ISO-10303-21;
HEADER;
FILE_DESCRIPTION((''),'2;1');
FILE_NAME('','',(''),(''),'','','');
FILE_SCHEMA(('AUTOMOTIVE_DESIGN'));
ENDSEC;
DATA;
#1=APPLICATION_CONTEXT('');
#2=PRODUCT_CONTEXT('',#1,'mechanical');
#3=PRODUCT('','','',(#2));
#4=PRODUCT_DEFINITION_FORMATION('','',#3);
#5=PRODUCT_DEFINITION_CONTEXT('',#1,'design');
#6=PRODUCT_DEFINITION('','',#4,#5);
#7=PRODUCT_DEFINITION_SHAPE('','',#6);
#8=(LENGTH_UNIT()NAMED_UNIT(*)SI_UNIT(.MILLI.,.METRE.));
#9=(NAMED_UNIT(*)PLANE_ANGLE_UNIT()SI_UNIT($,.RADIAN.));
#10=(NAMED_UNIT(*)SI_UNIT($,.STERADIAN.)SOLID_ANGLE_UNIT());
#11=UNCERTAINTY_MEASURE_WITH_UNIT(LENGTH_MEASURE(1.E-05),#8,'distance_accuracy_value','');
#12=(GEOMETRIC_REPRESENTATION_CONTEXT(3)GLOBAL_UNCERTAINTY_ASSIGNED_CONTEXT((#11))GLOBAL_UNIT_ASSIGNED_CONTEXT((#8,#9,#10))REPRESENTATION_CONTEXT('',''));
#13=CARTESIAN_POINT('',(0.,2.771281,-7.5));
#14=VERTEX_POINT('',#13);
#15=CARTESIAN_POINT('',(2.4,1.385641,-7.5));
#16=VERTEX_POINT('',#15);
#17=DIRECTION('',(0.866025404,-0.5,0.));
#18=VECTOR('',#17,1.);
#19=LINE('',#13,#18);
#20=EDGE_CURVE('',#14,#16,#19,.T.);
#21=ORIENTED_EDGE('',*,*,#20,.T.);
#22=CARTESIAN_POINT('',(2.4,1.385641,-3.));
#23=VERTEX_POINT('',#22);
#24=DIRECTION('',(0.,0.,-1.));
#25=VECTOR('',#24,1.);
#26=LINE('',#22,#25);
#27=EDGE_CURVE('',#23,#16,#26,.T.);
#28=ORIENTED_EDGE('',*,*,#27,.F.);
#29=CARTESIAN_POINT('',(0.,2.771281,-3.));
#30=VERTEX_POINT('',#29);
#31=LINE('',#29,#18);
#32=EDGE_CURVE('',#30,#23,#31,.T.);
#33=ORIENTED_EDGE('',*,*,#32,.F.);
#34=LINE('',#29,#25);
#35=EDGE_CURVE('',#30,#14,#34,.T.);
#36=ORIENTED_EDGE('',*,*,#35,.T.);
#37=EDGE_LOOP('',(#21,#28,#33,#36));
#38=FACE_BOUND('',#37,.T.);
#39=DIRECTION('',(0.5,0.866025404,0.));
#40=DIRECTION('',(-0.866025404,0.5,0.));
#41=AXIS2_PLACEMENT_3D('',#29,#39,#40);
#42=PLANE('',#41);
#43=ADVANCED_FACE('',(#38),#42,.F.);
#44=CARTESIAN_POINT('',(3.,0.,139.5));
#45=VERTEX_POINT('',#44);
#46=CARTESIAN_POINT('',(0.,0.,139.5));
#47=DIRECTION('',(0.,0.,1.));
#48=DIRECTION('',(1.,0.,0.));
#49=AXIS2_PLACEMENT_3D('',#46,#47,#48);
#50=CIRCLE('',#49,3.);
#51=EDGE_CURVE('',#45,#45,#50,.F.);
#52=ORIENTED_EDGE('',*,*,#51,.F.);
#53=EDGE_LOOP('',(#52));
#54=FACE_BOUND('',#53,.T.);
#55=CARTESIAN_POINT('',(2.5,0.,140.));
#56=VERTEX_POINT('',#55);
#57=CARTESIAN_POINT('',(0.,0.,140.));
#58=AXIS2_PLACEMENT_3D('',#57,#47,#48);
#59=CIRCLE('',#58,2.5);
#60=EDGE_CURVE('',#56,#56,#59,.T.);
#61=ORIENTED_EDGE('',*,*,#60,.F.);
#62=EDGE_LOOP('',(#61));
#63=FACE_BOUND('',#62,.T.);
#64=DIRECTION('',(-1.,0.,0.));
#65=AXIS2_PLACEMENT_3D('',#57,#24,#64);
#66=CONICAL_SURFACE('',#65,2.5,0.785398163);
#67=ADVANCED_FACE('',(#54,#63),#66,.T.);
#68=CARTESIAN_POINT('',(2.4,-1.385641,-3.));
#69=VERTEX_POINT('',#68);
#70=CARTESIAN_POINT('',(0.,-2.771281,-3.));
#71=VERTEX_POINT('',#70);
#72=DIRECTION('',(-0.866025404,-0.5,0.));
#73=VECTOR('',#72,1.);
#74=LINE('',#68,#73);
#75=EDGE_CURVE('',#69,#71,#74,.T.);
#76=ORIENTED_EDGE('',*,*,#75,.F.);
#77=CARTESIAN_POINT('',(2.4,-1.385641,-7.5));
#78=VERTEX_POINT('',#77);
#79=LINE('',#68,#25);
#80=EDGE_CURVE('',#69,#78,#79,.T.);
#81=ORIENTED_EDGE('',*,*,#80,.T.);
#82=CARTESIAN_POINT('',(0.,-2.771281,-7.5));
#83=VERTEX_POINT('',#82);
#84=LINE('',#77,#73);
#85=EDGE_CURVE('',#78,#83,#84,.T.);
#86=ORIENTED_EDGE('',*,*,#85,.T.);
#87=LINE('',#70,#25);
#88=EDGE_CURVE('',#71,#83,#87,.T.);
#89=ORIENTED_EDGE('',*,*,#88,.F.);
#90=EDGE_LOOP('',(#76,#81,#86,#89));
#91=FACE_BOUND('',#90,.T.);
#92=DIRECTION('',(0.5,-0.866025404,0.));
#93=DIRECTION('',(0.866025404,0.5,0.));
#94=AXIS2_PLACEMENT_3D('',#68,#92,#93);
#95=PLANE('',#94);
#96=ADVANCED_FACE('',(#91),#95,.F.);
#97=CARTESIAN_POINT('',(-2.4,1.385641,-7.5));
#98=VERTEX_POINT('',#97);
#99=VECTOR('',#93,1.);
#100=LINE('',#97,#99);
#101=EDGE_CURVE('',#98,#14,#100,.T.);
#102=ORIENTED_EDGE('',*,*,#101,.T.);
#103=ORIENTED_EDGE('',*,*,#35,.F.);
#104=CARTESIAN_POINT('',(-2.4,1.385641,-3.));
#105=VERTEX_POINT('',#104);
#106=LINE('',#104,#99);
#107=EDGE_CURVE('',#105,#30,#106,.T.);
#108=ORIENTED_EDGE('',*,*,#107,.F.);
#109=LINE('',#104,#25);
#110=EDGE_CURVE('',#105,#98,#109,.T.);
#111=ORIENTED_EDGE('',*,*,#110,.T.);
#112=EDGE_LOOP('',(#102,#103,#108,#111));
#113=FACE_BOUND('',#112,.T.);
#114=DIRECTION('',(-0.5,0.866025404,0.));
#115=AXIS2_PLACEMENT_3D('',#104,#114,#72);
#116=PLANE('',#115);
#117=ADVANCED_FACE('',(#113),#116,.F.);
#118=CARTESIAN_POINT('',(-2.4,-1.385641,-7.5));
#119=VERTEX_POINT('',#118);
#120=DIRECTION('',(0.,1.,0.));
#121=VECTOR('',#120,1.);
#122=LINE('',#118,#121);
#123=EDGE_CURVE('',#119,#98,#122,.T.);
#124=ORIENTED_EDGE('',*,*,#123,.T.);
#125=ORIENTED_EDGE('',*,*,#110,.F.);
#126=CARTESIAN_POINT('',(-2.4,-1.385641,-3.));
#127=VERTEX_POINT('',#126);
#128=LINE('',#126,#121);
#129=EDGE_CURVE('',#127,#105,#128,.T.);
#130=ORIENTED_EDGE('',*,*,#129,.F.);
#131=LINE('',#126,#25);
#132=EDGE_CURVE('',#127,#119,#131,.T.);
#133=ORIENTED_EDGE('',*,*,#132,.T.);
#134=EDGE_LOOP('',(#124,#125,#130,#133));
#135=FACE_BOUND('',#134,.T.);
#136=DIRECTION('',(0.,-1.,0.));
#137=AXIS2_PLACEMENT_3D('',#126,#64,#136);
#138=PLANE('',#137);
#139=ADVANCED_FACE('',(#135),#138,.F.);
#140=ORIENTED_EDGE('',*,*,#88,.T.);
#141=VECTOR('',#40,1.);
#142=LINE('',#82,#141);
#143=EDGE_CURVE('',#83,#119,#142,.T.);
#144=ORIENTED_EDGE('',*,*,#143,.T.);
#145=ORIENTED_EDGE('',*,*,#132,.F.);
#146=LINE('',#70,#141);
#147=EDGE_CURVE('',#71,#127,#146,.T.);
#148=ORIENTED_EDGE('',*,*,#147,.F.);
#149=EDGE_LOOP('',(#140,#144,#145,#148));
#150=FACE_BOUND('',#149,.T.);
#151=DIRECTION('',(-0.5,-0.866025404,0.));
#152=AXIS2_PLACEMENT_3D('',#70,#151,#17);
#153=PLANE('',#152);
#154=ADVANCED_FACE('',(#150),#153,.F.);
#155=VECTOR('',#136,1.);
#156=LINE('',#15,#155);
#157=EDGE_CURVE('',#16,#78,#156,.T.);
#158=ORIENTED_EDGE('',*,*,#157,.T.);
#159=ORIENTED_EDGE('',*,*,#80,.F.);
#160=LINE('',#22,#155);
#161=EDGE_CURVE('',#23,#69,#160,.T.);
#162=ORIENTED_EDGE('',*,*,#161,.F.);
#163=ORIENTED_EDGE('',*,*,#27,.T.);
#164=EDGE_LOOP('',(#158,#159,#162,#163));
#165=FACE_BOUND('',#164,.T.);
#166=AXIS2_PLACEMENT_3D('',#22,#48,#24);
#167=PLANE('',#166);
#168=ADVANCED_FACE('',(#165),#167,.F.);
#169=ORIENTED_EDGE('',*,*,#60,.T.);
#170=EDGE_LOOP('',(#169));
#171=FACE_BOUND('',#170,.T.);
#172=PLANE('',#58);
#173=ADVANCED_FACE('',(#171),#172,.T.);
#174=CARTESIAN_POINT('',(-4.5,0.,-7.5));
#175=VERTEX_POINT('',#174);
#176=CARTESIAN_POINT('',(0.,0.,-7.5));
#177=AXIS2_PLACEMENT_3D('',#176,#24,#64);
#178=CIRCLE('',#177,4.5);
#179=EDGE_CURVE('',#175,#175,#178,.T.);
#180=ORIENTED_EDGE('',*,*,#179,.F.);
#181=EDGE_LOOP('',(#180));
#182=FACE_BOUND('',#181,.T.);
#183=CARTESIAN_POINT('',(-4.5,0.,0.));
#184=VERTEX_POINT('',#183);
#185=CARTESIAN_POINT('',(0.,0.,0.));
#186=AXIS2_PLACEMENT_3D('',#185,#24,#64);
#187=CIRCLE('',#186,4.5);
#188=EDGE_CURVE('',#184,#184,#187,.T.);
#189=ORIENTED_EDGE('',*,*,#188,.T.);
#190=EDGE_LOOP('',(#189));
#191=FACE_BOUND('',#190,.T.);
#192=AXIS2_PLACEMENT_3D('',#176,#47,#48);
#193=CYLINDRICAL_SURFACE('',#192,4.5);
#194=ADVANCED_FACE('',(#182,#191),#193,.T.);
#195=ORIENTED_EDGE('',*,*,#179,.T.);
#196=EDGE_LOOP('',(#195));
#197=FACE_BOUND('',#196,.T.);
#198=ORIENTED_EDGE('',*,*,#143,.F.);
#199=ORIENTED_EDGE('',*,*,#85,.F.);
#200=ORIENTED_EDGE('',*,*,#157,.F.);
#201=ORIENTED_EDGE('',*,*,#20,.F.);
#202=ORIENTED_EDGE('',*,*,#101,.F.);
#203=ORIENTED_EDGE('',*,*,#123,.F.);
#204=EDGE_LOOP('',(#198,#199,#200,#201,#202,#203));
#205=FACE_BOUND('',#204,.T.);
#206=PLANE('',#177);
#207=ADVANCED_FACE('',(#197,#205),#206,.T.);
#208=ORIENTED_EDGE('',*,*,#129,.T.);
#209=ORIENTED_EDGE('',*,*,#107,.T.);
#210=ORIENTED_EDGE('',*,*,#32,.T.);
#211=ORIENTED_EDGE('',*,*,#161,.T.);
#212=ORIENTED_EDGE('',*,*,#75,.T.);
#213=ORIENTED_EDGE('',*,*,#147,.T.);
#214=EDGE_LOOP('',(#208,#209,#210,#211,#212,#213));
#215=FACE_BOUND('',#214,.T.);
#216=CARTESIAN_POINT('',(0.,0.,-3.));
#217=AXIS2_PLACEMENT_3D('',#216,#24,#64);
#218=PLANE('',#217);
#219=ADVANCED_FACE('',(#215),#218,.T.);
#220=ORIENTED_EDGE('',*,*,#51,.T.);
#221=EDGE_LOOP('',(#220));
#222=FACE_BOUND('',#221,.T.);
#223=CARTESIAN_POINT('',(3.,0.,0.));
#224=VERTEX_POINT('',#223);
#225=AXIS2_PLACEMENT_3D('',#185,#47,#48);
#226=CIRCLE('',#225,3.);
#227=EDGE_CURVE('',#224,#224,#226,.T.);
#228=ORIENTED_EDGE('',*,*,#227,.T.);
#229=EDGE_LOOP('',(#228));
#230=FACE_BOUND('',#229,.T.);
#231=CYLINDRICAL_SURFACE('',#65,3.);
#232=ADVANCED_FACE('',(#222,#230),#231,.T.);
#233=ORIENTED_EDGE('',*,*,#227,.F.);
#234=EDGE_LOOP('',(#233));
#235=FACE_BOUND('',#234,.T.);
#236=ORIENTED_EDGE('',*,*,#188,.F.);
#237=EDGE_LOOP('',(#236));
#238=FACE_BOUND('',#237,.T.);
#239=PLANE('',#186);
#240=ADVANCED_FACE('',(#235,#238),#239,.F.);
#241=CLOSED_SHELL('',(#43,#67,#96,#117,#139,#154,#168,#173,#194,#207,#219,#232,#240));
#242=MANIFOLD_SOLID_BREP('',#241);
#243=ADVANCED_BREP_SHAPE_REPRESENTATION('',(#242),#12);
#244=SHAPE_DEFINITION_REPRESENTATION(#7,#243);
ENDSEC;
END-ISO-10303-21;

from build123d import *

# Parameters (mm, degrees)
SKICA1_R                 = 3
P_IDAT_VYSUNUT_M1_DEPTH  = 140
SKICA2_R                 = 4.5
P_IDAT_VYSUNUT_M2_DEPTH  = 7.5
ODEBRAT_VYSUNUT_M1_DEPTH = 4.5
ZKOSEN_1_SIZE            = 0.5


with BuildPart() as part:
    # Skica1 → Přidat vysunutím1 (new body)
    with BuildSketch(Plane.XY):
        Circle(SKICA1_R)
    extrude(amount=P_IDAT_VYSUNUT_M1_DEPTH)

    # Skica2 → Přidat vysunutím2 (add)
    with BuildSketch(Plane(origin=(0, 0, 0), x_dir=(-1, 0, 0), z_dir=(0, 0, -1))):
        Circle(SKICA2_R)
    extrude(amount=P_IDAT_VYSUNUT_M2_DEPTH)

    # Skica3 → Odebrat vysunutím1 (cut)
    with BuildSketch(Plane(origin=(0, 0, -7.5), x_dir=(-1, 0, 0), z_dir=(0, 0, -1))):
        Polygon((0, -2.771281292), (2.4, -1.385640646), (2.4, 1.385640646), (0, 2.771281292), (-2.4, 1.385640646), (-2.4, -1.385640646), align=None)
    extrude(amount=-ODEBRAT_VYSUNUT_M1_DEPTH, mode=Mode.SUBTRACT)

    # Zkosení1
    zkosen_1_edges = [part.edges().sort_by_distance(p)[0] for p in [
        (-3, 0, 140),
    ]]
    chamfer(zkosen_1_edges, length=ZKOSEN_1_SIZE)


solid = part.part
